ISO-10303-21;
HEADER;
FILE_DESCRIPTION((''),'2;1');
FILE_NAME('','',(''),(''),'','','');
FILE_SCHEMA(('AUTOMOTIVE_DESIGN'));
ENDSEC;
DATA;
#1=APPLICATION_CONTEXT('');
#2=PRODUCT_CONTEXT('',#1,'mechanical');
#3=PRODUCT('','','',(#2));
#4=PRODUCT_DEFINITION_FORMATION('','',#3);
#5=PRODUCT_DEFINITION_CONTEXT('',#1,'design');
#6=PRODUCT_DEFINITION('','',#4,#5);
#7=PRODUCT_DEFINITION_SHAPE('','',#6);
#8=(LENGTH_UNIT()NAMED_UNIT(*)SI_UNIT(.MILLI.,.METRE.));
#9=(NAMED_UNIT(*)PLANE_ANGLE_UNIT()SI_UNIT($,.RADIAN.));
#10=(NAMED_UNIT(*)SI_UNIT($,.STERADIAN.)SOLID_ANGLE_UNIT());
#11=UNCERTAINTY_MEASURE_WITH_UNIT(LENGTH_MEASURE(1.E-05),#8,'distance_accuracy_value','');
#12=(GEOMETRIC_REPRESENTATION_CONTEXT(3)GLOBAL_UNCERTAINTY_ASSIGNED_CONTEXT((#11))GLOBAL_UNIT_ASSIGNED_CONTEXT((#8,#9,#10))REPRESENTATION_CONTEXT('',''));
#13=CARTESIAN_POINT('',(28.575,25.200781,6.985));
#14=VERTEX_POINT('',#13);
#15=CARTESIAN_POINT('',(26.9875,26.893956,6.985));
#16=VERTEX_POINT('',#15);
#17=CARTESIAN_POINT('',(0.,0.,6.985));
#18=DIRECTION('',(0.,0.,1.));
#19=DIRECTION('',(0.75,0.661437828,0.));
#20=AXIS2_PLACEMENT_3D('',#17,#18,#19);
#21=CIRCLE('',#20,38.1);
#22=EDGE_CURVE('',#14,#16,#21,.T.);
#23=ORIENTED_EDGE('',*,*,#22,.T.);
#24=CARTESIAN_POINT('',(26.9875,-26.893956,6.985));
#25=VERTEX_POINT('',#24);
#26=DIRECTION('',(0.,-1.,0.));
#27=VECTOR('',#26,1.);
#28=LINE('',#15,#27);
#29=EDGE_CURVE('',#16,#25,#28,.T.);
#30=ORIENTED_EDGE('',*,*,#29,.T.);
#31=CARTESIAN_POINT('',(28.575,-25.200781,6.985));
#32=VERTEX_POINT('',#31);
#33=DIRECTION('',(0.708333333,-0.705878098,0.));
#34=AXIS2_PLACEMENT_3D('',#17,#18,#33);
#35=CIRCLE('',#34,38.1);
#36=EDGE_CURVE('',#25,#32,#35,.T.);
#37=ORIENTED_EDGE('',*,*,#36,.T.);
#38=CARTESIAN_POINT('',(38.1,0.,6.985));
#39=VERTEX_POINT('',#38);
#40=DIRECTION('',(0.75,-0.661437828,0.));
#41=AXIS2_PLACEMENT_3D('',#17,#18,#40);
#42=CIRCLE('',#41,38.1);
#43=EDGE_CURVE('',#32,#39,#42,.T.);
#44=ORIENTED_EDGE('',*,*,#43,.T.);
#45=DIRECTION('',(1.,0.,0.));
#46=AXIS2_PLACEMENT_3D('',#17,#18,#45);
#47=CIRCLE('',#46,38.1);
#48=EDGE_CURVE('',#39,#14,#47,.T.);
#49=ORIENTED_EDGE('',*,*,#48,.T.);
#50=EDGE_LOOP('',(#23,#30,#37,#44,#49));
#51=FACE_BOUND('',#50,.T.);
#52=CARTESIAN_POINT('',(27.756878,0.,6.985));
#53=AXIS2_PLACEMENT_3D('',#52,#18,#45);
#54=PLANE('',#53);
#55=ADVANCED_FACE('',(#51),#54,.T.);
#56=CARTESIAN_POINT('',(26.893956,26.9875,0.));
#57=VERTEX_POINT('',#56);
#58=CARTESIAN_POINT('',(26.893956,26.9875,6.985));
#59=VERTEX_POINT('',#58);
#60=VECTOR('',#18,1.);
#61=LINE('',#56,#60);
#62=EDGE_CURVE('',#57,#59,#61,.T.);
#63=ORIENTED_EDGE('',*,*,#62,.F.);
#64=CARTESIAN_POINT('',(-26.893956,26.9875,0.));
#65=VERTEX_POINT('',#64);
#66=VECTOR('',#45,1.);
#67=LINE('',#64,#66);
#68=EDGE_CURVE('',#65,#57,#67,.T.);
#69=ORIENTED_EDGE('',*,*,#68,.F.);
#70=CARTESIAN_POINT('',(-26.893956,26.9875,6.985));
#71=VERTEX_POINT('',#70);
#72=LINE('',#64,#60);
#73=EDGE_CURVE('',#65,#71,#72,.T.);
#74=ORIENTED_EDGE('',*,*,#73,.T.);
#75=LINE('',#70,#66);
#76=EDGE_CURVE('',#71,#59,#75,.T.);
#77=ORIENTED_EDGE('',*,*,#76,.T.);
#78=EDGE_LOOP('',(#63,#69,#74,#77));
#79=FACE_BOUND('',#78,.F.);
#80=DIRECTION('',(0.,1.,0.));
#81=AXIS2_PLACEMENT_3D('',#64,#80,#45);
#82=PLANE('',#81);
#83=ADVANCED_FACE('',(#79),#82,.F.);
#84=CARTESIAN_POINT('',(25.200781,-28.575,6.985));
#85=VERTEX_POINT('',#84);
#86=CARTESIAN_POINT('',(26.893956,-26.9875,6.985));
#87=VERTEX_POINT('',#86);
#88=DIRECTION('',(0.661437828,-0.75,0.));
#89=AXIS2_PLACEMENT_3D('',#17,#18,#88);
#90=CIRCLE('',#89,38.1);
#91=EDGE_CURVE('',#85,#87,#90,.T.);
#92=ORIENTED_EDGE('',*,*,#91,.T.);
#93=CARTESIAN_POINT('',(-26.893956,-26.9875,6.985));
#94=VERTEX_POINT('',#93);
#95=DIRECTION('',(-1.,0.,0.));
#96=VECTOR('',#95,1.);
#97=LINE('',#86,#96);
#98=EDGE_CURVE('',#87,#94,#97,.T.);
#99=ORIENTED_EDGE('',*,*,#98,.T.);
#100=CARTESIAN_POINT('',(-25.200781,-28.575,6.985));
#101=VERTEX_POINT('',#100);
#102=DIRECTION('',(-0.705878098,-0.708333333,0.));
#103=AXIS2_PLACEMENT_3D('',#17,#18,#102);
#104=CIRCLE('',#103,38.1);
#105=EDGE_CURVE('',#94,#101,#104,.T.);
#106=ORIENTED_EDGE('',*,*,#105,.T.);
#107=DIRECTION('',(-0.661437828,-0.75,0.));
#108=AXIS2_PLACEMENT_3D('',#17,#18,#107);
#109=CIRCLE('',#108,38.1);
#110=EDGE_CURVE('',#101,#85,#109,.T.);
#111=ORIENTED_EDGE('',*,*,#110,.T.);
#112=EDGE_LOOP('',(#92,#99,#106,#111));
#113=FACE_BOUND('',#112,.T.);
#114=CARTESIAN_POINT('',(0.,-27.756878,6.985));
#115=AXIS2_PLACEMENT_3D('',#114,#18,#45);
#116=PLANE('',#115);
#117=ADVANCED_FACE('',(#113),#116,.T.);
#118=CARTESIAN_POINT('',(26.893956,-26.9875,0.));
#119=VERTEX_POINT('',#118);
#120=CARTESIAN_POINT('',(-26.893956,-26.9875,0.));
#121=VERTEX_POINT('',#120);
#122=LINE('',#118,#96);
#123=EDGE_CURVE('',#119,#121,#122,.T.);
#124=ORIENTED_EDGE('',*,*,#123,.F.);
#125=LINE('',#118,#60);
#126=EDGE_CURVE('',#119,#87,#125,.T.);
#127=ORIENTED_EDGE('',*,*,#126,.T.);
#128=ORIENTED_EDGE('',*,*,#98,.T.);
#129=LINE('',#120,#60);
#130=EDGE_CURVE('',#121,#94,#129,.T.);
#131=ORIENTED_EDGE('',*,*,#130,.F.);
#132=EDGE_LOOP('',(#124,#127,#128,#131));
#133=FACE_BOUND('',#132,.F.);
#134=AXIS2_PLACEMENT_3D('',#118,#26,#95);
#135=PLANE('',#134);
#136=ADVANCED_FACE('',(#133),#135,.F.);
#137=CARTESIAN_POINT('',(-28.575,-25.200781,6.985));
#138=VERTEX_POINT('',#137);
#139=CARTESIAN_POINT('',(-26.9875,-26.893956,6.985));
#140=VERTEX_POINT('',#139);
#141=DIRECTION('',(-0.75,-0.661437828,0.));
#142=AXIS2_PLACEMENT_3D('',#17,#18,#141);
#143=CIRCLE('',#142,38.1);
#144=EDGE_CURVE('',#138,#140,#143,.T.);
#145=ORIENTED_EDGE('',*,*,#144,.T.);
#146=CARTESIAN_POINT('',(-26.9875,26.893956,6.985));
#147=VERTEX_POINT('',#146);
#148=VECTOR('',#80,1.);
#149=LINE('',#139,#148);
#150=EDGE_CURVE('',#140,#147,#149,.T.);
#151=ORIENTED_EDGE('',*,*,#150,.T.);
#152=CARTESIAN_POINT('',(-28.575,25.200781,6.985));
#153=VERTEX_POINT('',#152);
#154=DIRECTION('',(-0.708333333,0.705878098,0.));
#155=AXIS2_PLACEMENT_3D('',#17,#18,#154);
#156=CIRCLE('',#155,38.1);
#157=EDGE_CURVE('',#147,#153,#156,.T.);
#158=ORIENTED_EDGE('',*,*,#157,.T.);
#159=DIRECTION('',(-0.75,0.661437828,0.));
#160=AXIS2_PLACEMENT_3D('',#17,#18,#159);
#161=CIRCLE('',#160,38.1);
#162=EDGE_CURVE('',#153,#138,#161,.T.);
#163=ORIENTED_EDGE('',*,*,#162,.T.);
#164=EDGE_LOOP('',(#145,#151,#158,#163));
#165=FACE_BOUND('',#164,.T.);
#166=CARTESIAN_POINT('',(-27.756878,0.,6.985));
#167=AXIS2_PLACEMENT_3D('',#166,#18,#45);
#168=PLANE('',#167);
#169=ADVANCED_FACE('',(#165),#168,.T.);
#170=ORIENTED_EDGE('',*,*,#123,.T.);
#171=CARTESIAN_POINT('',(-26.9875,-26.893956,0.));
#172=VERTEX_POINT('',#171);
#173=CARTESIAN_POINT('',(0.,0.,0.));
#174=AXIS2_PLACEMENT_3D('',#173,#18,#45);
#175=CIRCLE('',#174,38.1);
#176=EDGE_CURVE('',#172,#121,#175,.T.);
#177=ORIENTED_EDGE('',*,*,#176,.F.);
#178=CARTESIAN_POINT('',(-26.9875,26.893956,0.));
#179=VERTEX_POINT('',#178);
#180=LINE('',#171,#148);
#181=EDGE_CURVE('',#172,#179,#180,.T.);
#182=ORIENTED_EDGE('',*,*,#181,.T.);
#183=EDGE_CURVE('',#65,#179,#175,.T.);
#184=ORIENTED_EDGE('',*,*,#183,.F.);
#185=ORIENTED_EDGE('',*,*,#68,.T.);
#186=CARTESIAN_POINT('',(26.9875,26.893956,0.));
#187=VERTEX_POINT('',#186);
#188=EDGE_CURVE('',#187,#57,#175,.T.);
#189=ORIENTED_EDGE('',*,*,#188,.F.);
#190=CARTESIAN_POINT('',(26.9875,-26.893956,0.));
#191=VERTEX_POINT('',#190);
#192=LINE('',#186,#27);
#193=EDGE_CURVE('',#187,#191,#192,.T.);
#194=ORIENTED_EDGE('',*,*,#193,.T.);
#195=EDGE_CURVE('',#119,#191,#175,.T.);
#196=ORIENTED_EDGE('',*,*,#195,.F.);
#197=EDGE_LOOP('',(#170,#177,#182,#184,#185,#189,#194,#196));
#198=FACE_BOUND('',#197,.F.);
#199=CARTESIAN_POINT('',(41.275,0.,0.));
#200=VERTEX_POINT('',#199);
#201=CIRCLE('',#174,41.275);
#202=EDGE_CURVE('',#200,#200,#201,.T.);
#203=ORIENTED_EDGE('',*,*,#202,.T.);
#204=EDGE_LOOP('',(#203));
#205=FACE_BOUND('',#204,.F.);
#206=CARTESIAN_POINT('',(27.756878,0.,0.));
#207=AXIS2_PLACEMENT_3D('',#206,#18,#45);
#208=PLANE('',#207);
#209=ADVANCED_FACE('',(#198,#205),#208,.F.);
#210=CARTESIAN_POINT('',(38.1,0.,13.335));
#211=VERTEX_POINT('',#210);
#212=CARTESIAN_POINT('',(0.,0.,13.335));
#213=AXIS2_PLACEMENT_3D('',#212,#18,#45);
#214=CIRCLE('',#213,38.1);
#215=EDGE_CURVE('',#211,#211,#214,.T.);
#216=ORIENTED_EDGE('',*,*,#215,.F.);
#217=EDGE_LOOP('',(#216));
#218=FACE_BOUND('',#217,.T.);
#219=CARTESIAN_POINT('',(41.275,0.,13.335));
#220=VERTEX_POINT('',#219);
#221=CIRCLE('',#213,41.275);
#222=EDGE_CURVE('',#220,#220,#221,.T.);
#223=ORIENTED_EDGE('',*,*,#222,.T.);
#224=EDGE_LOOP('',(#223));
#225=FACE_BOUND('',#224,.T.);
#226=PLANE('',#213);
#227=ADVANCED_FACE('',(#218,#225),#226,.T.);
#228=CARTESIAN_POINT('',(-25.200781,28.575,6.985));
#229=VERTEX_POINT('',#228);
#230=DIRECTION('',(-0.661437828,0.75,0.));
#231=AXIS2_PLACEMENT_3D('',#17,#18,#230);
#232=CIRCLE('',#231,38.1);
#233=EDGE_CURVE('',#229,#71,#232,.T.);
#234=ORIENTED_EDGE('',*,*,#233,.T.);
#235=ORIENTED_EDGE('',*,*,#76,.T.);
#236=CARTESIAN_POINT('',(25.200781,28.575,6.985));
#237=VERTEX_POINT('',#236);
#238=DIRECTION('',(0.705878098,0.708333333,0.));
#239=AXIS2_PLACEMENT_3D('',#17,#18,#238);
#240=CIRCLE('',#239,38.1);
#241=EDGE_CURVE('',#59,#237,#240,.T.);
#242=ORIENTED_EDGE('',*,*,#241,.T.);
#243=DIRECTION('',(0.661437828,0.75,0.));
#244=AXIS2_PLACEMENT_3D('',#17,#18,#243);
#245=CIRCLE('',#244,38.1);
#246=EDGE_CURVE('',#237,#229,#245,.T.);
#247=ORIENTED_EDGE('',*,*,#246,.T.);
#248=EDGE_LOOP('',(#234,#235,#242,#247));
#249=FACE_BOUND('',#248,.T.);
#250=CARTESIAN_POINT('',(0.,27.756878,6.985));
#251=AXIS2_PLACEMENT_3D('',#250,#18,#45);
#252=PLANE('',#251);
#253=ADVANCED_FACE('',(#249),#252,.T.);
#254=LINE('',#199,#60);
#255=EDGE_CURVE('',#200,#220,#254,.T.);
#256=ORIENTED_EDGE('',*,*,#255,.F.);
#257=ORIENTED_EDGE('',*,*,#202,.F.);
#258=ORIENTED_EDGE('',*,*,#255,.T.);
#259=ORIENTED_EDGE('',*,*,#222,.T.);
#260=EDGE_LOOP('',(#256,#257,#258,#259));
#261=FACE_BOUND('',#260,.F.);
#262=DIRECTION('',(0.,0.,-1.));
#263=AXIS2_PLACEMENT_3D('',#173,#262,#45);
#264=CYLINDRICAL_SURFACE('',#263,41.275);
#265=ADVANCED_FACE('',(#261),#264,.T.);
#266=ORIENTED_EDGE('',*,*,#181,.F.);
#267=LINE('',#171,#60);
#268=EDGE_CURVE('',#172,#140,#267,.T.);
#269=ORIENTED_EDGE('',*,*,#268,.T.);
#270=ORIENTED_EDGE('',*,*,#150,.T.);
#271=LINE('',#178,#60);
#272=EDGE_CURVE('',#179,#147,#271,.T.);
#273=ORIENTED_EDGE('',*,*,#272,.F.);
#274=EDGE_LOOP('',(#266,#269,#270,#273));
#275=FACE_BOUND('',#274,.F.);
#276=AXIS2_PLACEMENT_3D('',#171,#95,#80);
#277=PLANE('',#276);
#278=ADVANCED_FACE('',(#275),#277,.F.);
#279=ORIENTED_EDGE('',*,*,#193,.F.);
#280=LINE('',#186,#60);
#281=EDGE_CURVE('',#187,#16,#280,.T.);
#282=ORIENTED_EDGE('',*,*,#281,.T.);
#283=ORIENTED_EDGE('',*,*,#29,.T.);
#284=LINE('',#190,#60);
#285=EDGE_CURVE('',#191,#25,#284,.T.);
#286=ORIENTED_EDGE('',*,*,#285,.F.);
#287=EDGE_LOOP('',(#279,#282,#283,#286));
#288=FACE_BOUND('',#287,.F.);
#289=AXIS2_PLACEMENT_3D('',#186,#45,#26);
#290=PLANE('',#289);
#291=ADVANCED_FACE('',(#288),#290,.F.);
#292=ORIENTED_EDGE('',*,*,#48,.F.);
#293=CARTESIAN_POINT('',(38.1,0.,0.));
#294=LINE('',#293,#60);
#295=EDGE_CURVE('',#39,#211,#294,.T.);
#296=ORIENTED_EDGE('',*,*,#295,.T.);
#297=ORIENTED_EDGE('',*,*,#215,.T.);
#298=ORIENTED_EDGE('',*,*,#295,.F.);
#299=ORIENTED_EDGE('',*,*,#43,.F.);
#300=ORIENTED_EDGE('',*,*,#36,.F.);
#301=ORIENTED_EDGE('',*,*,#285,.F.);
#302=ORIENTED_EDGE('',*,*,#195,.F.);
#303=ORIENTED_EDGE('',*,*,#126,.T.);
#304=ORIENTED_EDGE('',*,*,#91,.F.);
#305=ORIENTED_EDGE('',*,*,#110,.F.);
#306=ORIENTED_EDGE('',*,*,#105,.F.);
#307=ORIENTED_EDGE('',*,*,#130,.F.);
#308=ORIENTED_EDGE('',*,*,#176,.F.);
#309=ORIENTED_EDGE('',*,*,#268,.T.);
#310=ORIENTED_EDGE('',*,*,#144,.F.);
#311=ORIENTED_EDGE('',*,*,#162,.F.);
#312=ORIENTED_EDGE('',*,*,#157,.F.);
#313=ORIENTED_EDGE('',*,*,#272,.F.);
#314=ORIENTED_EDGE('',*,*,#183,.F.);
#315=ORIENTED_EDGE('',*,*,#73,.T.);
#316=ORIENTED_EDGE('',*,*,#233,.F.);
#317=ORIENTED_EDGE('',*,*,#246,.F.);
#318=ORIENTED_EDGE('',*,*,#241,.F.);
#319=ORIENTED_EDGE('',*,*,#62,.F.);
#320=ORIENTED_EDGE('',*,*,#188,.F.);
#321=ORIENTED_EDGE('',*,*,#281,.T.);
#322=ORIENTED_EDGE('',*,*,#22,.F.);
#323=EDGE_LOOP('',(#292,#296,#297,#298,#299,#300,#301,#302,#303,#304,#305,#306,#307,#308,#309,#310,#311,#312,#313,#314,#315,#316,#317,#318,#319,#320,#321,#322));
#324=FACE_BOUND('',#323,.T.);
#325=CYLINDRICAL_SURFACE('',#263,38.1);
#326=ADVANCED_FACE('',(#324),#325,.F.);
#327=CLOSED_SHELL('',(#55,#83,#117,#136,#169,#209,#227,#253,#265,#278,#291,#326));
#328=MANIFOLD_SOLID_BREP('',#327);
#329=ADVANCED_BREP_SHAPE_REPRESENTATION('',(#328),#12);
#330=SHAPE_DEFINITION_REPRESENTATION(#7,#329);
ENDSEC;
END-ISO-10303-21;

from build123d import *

# Parameters (mm, degrees)
F0_R     = 41.275
F0_R_2   = 38.1
F2_DEPTH = 13.335
F3_DEPTH = 6.985


with BuildPart() as f2:
    # F0 (on Top) → F2 (new body)
    with BuildSketch(Plane.XY):
        Circle(F0_R)
        Circle(F0_R_2, mode=Mode.SUBTRACT)
    extrude(amount=F2_DEPTH)

    # F1 (on face) → F3 (join)
    with BuildSketch(Plane.XY):
        with BuildLine():
            ThreePointArc((-26.9875, 26.8939555244), (-27.7941461706, 26.0594596768), (-28.575, 25.2007812379))
            Line((-28.575, 25.2007812379), (-28.575, -25.2007812379))
            ThreePointArc((-28.575, -25.2007812379), (-27.7941461706, -26.0594596768), (-26.9875, -26.8939555244))
            Line((-26.9875, -26.8939555244), (-26.9875, 26.8939555244))
        make_face()
        with BuildLine():
            ThreePointArc((26.8939555244, 26.9875), (26.0594596768, 27.7941461706), (25.2007812379, 28.575))
            Line((25.2007812379, 28.575), (-25.2007812379, 28.575))
            ThreePointArc((-25.2007812379, 28.575), (-26.0594596768, 27.7941461706), (-26.8939555244, 26.9875))
            Line((-26.8939555244, 26.9875), (26.8939555244, 26.9875))
        make_face()
        with BuildLine():
            Line((28.575, -25.2007812379), (28.575, 25.2007812379))
            ThreePointArc((28.575, 25.2007812379), (27.7941461706, 26.0594596768), (26.9875, 26.8939555244))
            Line((26.9875, 26.8939555244), (26.9875, -26.8939555244))
            ThreePointArc((26.9875, -26.8939555244), (27.7941461706, -26.0594596768), (28.575, -25.2007812379))
        make_face()
        with BuildLine():
            Line((-25.2007812379, -28.575), (25.2007812379, -28.575))
            ThreePointArc((25.2007812379, -28.575), (26.0594596768, -27.7941461706), (26.8939555244, -26.9875))
            Line((26.8939555244, -26.9875), (-26.8939555244, -26.9875))
            ThreePointArc((-26.8939555244, -26.9875), (-26.0594596768, -27.7941461706), (-25.2007812379, -28.575))
        make_face()
        with BuildLine():
            Line((-25.2007812379, 28.575), (25.2007812379, 28.575))
            ThreePointArc((25.2007812379, 28.575), (0, 38.1), (-25.2007812379, 28.575))
        make_face()
        with BuildLine():
            Line((-28.575, -25.2007812379), (-28.575, 25.2007812379))
            ThreePointArc((-28.575, 25.2007812379), (-38.1, 0), (-28.575, -25.2007812379))
        make_face()
        with BuildLine():
            ThreePointArc((-25.2007812379, -28.575), (0, -38.1), (25.2007812379, -28.575))
            Line((25.2007812379, -28.575), (-25.2007812379, -28.575))
        make_face()
        with BuildLine():
            ThreePointArc((38.1, 0), (35.639286609, 13.4703841816), (28.575, 25.2007812379))
            Line((28.575, 25.2007812379), (28.575, -25.2007812379))
            ThreePointArc((28.575, -25.2007812379), (35.639286609, -13.4703841816), (38.1, 0))
        make_face()
    extrude(amount=F3_DEPTH)


solid = f2.part
